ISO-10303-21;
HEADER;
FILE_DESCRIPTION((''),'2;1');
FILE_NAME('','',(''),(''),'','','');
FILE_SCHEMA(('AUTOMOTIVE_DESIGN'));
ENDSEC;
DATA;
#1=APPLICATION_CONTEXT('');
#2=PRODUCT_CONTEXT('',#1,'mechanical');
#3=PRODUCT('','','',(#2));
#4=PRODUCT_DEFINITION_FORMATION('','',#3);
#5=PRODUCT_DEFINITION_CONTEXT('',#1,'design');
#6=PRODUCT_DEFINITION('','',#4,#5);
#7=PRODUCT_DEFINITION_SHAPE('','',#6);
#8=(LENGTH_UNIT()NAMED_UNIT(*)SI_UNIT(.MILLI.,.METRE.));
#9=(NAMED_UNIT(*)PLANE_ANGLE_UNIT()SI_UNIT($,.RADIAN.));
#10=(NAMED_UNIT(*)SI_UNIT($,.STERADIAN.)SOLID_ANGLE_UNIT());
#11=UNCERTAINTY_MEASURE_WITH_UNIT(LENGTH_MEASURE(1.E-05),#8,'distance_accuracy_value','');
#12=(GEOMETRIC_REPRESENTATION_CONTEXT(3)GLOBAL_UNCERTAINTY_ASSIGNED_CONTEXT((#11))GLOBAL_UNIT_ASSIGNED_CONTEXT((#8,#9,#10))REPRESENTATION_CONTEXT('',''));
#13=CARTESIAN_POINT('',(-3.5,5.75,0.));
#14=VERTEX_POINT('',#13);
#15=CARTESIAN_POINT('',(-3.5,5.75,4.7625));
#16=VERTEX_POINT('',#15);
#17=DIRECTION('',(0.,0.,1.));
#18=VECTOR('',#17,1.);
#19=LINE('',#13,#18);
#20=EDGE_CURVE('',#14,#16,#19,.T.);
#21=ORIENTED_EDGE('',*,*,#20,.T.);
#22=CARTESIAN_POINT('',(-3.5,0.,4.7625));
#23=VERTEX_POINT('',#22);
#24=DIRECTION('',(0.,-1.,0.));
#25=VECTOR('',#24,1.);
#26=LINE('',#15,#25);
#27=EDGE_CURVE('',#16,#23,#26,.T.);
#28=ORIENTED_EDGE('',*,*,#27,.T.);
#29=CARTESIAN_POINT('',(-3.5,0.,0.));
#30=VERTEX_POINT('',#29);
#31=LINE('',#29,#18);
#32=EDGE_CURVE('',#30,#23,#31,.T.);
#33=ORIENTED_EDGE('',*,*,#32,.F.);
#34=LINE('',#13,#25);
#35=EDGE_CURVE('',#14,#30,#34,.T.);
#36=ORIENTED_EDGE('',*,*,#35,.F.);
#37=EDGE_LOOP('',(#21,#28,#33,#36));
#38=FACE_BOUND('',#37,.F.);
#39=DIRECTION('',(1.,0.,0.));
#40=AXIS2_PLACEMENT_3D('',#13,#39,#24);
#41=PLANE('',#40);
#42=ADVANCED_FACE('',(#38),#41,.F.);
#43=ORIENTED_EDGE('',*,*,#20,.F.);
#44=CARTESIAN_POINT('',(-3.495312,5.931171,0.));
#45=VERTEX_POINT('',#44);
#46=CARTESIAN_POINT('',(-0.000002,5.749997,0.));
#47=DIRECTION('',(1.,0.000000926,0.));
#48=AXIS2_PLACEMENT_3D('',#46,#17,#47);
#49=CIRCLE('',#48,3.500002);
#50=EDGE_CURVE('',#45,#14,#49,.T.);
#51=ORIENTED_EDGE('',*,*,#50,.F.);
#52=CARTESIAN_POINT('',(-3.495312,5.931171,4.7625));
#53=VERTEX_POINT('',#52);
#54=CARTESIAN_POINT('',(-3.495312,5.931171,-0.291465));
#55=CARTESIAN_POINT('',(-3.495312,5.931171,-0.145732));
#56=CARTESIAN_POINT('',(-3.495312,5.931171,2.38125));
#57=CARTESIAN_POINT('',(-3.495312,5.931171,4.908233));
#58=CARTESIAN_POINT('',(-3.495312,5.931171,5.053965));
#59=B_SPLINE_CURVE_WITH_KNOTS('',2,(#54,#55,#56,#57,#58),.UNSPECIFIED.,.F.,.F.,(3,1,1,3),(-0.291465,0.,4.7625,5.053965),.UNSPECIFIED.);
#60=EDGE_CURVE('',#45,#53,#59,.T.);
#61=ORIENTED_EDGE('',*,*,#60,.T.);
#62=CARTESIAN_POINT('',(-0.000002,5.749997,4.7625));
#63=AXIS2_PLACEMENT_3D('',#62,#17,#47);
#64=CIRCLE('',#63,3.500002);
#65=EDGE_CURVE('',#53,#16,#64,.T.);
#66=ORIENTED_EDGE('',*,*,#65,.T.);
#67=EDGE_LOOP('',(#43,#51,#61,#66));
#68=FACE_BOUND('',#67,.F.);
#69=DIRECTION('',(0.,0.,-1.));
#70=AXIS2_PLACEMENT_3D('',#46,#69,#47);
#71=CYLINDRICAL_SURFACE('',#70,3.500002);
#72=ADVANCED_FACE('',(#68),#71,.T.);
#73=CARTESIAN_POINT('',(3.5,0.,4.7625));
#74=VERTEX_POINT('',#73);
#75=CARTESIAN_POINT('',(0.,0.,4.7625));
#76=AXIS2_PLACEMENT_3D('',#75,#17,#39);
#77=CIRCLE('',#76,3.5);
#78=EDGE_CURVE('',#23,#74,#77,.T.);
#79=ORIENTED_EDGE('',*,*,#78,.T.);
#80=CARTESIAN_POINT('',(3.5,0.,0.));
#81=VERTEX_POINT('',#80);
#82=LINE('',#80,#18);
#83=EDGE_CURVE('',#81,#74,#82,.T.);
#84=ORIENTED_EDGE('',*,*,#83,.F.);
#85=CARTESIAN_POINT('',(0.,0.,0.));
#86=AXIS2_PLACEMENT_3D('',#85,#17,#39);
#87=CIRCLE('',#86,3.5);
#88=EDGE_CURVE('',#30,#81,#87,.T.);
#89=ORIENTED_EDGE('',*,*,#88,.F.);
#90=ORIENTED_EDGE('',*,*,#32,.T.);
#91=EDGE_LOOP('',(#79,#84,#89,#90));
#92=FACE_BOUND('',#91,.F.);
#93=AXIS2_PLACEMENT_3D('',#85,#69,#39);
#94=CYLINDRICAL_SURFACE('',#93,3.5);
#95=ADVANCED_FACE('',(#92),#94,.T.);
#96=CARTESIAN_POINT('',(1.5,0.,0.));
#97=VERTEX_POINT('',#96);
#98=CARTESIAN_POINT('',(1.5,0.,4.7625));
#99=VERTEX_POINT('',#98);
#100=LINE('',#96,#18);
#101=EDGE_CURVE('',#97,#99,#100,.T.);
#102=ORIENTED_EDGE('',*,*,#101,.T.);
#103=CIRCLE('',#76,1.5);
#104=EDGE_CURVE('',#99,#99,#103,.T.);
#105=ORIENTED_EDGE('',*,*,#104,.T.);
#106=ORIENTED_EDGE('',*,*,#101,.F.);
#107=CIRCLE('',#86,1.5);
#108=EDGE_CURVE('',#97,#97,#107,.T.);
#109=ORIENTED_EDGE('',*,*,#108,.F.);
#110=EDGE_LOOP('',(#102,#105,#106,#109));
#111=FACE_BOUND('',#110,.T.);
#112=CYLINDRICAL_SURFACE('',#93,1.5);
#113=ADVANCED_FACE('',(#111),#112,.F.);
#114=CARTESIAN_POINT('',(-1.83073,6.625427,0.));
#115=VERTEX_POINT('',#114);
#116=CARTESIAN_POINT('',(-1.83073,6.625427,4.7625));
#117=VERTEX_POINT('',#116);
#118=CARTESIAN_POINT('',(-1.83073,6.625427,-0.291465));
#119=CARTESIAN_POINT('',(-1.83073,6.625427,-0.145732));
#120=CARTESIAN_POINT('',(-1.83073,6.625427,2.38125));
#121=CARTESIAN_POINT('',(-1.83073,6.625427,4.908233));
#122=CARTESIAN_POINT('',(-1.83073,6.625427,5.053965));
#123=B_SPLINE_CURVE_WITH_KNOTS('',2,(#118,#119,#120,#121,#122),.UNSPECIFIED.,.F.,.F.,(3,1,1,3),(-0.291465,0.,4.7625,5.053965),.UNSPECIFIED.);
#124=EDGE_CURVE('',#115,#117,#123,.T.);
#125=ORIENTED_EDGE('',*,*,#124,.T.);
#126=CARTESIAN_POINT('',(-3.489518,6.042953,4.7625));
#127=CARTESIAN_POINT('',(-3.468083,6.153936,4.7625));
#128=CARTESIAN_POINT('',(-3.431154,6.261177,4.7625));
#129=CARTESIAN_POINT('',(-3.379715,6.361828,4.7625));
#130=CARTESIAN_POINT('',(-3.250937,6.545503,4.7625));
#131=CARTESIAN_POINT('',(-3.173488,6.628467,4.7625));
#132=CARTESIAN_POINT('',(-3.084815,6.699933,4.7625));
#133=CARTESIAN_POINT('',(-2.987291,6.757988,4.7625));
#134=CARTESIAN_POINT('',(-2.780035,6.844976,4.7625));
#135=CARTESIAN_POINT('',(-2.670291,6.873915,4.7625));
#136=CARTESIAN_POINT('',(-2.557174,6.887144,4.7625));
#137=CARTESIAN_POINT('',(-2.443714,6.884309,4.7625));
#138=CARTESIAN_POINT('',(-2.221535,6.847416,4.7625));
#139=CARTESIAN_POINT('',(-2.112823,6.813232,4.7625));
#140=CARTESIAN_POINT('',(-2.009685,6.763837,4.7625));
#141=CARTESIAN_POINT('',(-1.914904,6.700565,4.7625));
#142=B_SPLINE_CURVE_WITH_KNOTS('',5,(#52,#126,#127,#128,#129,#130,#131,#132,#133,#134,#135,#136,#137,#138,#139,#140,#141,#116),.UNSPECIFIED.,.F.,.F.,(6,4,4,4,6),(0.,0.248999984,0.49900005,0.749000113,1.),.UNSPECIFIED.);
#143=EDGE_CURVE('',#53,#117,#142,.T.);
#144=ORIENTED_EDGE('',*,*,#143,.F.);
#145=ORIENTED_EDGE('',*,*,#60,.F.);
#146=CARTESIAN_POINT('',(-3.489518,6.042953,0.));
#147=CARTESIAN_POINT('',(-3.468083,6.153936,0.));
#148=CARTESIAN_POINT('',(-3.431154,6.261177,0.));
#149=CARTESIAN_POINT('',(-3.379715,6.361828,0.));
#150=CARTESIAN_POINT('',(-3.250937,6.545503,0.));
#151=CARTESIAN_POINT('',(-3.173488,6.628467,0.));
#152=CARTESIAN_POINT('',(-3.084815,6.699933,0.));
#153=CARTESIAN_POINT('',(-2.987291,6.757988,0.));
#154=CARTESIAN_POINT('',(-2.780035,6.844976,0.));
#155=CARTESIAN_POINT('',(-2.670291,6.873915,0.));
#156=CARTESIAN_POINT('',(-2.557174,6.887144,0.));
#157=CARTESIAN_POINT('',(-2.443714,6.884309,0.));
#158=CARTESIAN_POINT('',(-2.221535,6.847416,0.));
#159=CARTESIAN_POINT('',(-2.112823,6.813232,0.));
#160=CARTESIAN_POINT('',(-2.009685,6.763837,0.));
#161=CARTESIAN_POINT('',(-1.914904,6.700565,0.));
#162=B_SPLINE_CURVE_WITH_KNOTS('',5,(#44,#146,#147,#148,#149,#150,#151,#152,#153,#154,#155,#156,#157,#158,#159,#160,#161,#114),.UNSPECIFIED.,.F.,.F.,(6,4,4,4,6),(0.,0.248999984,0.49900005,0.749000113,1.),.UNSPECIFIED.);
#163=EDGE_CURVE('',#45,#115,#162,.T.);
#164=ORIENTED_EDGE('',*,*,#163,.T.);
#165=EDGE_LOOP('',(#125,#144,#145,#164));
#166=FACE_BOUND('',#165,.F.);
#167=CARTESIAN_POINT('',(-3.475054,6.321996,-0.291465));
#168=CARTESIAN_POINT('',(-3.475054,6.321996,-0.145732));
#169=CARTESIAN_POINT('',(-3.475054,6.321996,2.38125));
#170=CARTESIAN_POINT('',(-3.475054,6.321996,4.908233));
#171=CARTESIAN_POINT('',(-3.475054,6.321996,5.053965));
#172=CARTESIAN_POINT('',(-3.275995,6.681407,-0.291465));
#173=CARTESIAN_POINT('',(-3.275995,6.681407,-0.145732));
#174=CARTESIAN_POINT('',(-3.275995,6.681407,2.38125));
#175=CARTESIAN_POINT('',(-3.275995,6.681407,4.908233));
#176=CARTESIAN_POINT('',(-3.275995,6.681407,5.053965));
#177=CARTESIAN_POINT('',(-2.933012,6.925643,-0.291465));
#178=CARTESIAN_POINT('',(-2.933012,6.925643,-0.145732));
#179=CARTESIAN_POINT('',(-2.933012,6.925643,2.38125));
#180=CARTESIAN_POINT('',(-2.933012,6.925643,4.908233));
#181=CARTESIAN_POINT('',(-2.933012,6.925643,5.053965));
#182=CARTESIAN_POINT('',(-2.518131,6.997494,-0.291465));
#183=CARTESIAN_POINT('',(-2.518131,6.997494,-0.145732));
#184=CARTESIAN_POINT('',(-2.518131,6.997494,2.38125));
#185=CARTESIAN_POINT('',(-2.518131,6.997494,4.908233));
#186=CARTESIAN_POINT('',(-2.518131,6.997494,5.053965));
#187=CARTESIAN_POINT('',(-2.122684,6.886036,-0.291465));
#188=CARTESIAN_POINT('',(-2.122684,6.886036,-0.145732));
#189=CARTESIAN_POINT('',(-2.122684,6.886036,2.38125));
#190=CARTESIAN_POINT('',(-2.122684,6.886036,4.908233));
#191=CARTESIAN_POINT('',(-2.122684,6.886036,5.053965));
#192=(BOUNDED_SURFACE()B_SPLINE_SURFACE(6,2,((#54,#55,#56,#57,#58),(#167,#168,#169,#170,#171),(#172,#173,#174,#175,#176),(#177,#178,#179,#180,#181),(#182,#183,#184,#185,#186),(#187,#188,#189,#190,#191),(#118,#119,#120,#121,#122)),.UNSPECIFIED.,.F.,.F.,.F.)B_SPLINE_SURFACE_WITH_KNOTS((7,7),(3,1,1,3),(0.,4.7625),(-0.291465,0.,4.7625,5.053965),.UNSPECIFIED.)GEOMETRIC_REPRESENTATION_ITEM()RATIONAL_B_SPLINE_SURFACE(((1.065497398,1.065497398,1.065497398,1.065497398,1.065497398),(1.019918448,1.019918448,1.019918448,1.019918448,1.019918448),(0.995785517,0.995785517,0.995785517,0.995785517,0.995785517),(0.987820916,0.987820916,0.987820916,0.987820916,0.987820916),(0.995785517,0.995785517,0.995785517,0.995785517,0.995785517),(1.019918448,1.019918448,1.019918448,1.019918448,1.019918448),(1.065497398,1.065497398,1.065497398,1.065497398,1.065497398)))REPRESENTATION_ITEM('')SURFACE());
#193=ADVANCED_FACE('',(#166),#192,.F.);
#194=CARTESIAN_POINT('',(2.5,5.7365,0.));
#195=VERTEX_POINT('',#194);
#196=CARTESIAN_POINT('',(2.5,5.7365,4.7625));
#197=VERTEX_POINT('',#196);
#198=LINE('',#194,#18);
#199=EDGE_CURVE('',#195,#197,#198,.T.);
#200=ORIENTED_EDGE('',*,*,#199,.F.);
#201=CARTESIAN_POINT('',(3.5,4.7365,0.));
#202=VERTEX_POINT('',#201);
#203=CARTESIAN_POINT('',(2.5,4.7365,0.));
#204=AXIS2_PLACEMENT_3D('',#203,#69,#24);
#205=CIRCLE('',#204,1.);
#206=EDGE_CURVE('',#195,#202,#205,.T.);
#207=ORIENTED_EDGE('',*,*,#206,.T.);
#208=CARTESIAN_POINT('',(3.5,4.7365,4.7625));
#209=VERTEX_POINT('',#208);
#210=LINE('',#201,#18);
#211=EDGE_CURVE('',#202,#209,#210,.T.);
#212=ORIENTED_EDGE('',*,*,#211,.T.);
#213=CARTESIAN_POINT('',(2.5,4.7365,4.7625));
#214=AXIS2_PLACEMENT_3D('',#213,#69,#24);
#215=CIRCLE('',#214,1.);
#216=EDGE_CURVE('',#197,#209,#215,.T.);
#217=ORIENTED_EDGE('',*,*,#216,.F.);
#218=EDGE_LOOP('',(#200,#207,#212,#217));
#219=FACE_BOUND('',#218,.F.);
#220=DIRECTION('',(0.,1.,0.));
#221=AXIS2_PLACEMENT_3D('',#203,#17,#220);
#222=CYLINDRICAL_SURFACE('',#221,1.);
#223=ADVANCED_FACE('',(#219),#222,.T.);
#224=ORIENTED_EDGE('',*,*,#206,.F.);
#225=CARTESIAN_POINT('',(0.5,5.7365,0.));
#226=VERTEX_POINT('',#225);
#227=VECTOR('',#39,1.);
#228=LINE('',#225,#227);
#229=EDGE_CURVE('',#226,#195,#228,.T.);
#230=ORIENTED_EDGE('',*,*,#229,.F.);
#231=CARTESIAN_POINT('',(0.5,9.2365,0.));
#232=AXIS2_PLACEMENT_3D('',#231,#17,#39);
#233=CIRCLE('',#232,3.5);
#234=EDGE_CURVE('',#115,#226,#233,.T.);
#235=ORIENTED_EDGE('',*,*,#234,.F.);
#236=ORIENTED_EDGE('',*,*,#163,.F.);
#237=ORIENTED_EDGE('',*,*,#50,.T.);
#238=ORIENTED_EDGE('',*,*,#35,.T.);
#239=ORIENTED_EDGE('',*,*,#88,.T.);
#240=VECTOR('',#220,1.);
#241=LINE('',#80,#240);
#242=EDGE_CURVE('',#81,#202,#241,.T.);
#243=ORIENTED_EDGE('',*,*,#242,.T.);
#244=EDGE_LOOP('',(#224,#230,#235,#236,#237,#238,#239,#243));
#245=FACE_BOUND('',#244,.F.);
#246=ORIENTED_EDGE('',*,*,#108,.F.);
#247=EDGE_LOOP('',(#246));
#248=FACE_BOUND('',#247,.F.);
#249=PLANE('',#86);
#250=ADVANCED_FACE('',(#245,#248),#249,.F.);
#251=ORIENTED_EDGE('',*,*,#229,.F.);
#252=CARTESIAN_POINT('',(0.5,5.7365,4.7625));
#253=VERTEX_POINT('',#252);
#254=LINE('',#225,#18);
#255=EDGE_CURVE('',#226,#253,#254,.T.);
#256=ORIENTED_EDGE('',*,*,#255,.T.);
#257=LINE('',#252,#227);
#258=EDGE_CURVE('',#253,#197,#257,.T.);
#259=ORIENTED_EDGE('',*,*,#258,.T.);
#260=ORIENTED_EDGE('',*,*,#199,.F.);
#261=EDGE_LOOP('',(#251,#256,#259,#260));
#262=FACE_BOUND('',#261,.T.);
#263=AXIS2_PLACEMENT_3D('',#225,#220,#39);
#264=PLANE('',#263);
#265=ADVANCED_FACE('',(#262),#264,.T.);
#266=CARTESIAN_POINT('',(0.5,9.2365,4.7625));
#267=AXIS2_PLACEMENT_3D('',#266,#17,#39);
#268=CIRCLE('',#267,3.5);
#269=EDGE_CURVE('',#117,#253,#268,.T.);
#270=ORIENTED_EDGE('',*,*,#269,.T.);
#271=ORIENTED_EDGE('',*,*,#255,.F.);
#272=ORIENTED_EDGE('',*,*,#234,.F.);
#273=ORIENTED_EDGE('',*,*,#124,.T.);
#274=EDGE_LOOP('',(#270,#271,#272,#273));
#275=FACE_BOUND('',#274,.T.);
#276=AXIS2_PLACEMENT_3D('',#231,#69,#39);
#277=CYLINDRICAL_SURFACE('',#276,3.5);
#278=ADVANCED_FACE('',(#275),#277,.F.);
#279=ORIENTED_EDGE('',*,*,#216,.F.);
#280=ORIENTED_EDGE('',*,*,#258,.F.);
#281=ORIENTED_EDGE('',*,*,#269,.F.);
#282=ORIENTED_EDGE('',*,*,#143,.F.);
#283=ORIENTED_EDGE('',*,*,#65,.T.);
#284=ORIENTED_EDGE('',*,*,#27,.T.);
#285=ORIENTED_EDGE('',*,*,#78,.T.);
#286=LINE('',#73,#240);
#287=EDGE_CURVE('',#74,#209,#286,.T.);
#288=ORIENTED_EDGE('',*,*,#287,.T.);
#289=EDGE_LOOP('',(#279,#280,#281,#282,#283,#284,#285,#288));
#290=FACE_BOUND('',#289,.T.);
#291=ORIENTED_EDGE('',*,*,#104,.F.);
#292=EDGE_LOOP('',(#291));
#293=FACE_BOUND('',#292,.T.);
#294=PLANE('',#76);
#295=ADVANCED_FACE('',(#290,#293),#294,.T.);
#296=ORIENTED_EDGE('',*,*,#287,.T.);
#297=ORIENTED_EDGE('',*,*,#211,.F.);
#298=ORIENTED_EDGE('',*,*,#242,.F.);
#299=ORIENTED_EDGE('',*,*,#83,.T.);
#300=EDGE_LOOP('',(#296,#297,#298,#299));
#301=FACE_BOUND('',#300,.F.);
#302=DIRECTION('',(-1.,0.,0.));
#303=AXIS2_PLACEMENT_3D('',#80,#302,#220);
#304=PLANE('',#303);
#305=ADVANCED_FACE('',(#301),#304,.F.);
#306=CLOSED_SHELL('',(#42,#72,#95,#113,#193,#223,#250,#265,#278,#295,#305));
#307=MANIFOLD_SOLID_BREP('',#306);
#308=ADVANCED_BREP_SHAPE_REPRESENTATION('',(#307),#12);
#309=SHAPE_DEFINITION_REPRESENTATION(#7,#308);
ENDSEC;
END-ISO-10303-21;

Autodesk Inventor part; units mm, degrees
ref_plane "YZ Plane" through (0, 0, 0) normal (1, 0, 0) x (0, 1, 0)
ref_plane "XZ Plane" through (0, 0, 0) normal (0, 1, 0) x (-1, 0, 0)
ref_plane "XY Plane" through (0, 0, 0) normal (0, 0, 1) x (1, 0, 0)
sketch "Sketch1" plane through (0, 0, 0) normal (0, 0, 1) x (1, 0, 0)
  circle A0 centre (0, 0) radius 1.5
  circle A1 centre (0, 0) radius 3.5
  circle A2 centre (0, 0) radius 5.75 construction
  line L0 (0, 0) -> (0, 5.75) construction
  circle A3 centre (0.5, 9.2365) radius 3.5
  line L1 (0, 0) -> (0, 5.75) construction
  line L2 (3.5, 0) -> (3.5, 5.75)
  line L3 (-3.5, 5.75) -> (-3.5, 0)
  arc A4 (-3.5, 0) -> (3.5, 0) centre (0, 0) ccw
  arc A5 (3.5, 5.75) -> (-1.9961, 2.875) centre (0, 5.75) ccw
  arc A6 (-3.4062, 0.805) -> (-3.4062, 4.945) centre (-12.1649, 2.875) ccw
  line L4 (0.5, 5.7365) -> (3.5, 5.7365)
  point P0 (0, 2.875)
  point P1 (-3.4345, 6.424)
  point P2 (3.5, 0)
  point P3 (3.244, 7.0639)
  point P4 (-3.5, 0)
  point P5 (-2.744, 7.9226)
  dimension "d2" = 11.5
  dimension "d3" = 7
  dimension "d0" = 3
  dimension "d1" = 7
  dimension "d4" = 3.5
  dimension "d9" = 0.5
  dimension "d10" = 9
extrude "Extrusion1" add sketch "Sketch1" along normal blind 4.7625 contours A1 | A1 A5 A3 L4 L2 | A1 A6 A5 | L3 A5 A6 A1
fillet "Fillet1" radius 1 1 edges at (-2.744, 7.9226, 2.3813)
fillet "Fillet2" radius 1 1 edges at (3.5, 5.7365, 2.3813)
sketch "Sketch2" plane through (0, 0, 0) normal (0, 0, -1) x (-1, 0, 0)
  line L0 (-3.5, 0) -> (-3.5, 4.7365) projected
  arc A0 (-3.5, 0) -> (3.5, 0) centre (0, 0) ccw projected
  circle A1 centre (0, 0) radius 1.5 projected
  circle A2 centre (0, 0) radius 6.3558 construction
  arc A3 (3.4953, 5.9311) -> (1.8307, 6.6254) centre (2.4966, 5.8794) ccw projected
  arc A4 (-0.5, 5.7365) -> (1.8307, 6.6254) centre (-0.5, 9.2365) ccw projected
  line L1 (3.5, 5.75) -> (3.5, 0) projected
  line L2 (-2.5, 5.7365) -> (-0.5, 5.7365) projected
  arc A5 (-2.5, 5.7365) -> (-3.5, 4.7365) centre (-2.5, 4.7365) ccw projected
  arc A6 (-2.5, 5.7365) -> (-3.5, 4.7365) centre (-2.5, 4.7365) ccw projected
  arc A7 (3.5, 5.75) -> (3.4953, 5.9311) centre (0, 5.75) ccw projected
equation "\"d4\" = 0.5 * d1"
properties part number "Cam - Lever" material "Nylon 6/6"
